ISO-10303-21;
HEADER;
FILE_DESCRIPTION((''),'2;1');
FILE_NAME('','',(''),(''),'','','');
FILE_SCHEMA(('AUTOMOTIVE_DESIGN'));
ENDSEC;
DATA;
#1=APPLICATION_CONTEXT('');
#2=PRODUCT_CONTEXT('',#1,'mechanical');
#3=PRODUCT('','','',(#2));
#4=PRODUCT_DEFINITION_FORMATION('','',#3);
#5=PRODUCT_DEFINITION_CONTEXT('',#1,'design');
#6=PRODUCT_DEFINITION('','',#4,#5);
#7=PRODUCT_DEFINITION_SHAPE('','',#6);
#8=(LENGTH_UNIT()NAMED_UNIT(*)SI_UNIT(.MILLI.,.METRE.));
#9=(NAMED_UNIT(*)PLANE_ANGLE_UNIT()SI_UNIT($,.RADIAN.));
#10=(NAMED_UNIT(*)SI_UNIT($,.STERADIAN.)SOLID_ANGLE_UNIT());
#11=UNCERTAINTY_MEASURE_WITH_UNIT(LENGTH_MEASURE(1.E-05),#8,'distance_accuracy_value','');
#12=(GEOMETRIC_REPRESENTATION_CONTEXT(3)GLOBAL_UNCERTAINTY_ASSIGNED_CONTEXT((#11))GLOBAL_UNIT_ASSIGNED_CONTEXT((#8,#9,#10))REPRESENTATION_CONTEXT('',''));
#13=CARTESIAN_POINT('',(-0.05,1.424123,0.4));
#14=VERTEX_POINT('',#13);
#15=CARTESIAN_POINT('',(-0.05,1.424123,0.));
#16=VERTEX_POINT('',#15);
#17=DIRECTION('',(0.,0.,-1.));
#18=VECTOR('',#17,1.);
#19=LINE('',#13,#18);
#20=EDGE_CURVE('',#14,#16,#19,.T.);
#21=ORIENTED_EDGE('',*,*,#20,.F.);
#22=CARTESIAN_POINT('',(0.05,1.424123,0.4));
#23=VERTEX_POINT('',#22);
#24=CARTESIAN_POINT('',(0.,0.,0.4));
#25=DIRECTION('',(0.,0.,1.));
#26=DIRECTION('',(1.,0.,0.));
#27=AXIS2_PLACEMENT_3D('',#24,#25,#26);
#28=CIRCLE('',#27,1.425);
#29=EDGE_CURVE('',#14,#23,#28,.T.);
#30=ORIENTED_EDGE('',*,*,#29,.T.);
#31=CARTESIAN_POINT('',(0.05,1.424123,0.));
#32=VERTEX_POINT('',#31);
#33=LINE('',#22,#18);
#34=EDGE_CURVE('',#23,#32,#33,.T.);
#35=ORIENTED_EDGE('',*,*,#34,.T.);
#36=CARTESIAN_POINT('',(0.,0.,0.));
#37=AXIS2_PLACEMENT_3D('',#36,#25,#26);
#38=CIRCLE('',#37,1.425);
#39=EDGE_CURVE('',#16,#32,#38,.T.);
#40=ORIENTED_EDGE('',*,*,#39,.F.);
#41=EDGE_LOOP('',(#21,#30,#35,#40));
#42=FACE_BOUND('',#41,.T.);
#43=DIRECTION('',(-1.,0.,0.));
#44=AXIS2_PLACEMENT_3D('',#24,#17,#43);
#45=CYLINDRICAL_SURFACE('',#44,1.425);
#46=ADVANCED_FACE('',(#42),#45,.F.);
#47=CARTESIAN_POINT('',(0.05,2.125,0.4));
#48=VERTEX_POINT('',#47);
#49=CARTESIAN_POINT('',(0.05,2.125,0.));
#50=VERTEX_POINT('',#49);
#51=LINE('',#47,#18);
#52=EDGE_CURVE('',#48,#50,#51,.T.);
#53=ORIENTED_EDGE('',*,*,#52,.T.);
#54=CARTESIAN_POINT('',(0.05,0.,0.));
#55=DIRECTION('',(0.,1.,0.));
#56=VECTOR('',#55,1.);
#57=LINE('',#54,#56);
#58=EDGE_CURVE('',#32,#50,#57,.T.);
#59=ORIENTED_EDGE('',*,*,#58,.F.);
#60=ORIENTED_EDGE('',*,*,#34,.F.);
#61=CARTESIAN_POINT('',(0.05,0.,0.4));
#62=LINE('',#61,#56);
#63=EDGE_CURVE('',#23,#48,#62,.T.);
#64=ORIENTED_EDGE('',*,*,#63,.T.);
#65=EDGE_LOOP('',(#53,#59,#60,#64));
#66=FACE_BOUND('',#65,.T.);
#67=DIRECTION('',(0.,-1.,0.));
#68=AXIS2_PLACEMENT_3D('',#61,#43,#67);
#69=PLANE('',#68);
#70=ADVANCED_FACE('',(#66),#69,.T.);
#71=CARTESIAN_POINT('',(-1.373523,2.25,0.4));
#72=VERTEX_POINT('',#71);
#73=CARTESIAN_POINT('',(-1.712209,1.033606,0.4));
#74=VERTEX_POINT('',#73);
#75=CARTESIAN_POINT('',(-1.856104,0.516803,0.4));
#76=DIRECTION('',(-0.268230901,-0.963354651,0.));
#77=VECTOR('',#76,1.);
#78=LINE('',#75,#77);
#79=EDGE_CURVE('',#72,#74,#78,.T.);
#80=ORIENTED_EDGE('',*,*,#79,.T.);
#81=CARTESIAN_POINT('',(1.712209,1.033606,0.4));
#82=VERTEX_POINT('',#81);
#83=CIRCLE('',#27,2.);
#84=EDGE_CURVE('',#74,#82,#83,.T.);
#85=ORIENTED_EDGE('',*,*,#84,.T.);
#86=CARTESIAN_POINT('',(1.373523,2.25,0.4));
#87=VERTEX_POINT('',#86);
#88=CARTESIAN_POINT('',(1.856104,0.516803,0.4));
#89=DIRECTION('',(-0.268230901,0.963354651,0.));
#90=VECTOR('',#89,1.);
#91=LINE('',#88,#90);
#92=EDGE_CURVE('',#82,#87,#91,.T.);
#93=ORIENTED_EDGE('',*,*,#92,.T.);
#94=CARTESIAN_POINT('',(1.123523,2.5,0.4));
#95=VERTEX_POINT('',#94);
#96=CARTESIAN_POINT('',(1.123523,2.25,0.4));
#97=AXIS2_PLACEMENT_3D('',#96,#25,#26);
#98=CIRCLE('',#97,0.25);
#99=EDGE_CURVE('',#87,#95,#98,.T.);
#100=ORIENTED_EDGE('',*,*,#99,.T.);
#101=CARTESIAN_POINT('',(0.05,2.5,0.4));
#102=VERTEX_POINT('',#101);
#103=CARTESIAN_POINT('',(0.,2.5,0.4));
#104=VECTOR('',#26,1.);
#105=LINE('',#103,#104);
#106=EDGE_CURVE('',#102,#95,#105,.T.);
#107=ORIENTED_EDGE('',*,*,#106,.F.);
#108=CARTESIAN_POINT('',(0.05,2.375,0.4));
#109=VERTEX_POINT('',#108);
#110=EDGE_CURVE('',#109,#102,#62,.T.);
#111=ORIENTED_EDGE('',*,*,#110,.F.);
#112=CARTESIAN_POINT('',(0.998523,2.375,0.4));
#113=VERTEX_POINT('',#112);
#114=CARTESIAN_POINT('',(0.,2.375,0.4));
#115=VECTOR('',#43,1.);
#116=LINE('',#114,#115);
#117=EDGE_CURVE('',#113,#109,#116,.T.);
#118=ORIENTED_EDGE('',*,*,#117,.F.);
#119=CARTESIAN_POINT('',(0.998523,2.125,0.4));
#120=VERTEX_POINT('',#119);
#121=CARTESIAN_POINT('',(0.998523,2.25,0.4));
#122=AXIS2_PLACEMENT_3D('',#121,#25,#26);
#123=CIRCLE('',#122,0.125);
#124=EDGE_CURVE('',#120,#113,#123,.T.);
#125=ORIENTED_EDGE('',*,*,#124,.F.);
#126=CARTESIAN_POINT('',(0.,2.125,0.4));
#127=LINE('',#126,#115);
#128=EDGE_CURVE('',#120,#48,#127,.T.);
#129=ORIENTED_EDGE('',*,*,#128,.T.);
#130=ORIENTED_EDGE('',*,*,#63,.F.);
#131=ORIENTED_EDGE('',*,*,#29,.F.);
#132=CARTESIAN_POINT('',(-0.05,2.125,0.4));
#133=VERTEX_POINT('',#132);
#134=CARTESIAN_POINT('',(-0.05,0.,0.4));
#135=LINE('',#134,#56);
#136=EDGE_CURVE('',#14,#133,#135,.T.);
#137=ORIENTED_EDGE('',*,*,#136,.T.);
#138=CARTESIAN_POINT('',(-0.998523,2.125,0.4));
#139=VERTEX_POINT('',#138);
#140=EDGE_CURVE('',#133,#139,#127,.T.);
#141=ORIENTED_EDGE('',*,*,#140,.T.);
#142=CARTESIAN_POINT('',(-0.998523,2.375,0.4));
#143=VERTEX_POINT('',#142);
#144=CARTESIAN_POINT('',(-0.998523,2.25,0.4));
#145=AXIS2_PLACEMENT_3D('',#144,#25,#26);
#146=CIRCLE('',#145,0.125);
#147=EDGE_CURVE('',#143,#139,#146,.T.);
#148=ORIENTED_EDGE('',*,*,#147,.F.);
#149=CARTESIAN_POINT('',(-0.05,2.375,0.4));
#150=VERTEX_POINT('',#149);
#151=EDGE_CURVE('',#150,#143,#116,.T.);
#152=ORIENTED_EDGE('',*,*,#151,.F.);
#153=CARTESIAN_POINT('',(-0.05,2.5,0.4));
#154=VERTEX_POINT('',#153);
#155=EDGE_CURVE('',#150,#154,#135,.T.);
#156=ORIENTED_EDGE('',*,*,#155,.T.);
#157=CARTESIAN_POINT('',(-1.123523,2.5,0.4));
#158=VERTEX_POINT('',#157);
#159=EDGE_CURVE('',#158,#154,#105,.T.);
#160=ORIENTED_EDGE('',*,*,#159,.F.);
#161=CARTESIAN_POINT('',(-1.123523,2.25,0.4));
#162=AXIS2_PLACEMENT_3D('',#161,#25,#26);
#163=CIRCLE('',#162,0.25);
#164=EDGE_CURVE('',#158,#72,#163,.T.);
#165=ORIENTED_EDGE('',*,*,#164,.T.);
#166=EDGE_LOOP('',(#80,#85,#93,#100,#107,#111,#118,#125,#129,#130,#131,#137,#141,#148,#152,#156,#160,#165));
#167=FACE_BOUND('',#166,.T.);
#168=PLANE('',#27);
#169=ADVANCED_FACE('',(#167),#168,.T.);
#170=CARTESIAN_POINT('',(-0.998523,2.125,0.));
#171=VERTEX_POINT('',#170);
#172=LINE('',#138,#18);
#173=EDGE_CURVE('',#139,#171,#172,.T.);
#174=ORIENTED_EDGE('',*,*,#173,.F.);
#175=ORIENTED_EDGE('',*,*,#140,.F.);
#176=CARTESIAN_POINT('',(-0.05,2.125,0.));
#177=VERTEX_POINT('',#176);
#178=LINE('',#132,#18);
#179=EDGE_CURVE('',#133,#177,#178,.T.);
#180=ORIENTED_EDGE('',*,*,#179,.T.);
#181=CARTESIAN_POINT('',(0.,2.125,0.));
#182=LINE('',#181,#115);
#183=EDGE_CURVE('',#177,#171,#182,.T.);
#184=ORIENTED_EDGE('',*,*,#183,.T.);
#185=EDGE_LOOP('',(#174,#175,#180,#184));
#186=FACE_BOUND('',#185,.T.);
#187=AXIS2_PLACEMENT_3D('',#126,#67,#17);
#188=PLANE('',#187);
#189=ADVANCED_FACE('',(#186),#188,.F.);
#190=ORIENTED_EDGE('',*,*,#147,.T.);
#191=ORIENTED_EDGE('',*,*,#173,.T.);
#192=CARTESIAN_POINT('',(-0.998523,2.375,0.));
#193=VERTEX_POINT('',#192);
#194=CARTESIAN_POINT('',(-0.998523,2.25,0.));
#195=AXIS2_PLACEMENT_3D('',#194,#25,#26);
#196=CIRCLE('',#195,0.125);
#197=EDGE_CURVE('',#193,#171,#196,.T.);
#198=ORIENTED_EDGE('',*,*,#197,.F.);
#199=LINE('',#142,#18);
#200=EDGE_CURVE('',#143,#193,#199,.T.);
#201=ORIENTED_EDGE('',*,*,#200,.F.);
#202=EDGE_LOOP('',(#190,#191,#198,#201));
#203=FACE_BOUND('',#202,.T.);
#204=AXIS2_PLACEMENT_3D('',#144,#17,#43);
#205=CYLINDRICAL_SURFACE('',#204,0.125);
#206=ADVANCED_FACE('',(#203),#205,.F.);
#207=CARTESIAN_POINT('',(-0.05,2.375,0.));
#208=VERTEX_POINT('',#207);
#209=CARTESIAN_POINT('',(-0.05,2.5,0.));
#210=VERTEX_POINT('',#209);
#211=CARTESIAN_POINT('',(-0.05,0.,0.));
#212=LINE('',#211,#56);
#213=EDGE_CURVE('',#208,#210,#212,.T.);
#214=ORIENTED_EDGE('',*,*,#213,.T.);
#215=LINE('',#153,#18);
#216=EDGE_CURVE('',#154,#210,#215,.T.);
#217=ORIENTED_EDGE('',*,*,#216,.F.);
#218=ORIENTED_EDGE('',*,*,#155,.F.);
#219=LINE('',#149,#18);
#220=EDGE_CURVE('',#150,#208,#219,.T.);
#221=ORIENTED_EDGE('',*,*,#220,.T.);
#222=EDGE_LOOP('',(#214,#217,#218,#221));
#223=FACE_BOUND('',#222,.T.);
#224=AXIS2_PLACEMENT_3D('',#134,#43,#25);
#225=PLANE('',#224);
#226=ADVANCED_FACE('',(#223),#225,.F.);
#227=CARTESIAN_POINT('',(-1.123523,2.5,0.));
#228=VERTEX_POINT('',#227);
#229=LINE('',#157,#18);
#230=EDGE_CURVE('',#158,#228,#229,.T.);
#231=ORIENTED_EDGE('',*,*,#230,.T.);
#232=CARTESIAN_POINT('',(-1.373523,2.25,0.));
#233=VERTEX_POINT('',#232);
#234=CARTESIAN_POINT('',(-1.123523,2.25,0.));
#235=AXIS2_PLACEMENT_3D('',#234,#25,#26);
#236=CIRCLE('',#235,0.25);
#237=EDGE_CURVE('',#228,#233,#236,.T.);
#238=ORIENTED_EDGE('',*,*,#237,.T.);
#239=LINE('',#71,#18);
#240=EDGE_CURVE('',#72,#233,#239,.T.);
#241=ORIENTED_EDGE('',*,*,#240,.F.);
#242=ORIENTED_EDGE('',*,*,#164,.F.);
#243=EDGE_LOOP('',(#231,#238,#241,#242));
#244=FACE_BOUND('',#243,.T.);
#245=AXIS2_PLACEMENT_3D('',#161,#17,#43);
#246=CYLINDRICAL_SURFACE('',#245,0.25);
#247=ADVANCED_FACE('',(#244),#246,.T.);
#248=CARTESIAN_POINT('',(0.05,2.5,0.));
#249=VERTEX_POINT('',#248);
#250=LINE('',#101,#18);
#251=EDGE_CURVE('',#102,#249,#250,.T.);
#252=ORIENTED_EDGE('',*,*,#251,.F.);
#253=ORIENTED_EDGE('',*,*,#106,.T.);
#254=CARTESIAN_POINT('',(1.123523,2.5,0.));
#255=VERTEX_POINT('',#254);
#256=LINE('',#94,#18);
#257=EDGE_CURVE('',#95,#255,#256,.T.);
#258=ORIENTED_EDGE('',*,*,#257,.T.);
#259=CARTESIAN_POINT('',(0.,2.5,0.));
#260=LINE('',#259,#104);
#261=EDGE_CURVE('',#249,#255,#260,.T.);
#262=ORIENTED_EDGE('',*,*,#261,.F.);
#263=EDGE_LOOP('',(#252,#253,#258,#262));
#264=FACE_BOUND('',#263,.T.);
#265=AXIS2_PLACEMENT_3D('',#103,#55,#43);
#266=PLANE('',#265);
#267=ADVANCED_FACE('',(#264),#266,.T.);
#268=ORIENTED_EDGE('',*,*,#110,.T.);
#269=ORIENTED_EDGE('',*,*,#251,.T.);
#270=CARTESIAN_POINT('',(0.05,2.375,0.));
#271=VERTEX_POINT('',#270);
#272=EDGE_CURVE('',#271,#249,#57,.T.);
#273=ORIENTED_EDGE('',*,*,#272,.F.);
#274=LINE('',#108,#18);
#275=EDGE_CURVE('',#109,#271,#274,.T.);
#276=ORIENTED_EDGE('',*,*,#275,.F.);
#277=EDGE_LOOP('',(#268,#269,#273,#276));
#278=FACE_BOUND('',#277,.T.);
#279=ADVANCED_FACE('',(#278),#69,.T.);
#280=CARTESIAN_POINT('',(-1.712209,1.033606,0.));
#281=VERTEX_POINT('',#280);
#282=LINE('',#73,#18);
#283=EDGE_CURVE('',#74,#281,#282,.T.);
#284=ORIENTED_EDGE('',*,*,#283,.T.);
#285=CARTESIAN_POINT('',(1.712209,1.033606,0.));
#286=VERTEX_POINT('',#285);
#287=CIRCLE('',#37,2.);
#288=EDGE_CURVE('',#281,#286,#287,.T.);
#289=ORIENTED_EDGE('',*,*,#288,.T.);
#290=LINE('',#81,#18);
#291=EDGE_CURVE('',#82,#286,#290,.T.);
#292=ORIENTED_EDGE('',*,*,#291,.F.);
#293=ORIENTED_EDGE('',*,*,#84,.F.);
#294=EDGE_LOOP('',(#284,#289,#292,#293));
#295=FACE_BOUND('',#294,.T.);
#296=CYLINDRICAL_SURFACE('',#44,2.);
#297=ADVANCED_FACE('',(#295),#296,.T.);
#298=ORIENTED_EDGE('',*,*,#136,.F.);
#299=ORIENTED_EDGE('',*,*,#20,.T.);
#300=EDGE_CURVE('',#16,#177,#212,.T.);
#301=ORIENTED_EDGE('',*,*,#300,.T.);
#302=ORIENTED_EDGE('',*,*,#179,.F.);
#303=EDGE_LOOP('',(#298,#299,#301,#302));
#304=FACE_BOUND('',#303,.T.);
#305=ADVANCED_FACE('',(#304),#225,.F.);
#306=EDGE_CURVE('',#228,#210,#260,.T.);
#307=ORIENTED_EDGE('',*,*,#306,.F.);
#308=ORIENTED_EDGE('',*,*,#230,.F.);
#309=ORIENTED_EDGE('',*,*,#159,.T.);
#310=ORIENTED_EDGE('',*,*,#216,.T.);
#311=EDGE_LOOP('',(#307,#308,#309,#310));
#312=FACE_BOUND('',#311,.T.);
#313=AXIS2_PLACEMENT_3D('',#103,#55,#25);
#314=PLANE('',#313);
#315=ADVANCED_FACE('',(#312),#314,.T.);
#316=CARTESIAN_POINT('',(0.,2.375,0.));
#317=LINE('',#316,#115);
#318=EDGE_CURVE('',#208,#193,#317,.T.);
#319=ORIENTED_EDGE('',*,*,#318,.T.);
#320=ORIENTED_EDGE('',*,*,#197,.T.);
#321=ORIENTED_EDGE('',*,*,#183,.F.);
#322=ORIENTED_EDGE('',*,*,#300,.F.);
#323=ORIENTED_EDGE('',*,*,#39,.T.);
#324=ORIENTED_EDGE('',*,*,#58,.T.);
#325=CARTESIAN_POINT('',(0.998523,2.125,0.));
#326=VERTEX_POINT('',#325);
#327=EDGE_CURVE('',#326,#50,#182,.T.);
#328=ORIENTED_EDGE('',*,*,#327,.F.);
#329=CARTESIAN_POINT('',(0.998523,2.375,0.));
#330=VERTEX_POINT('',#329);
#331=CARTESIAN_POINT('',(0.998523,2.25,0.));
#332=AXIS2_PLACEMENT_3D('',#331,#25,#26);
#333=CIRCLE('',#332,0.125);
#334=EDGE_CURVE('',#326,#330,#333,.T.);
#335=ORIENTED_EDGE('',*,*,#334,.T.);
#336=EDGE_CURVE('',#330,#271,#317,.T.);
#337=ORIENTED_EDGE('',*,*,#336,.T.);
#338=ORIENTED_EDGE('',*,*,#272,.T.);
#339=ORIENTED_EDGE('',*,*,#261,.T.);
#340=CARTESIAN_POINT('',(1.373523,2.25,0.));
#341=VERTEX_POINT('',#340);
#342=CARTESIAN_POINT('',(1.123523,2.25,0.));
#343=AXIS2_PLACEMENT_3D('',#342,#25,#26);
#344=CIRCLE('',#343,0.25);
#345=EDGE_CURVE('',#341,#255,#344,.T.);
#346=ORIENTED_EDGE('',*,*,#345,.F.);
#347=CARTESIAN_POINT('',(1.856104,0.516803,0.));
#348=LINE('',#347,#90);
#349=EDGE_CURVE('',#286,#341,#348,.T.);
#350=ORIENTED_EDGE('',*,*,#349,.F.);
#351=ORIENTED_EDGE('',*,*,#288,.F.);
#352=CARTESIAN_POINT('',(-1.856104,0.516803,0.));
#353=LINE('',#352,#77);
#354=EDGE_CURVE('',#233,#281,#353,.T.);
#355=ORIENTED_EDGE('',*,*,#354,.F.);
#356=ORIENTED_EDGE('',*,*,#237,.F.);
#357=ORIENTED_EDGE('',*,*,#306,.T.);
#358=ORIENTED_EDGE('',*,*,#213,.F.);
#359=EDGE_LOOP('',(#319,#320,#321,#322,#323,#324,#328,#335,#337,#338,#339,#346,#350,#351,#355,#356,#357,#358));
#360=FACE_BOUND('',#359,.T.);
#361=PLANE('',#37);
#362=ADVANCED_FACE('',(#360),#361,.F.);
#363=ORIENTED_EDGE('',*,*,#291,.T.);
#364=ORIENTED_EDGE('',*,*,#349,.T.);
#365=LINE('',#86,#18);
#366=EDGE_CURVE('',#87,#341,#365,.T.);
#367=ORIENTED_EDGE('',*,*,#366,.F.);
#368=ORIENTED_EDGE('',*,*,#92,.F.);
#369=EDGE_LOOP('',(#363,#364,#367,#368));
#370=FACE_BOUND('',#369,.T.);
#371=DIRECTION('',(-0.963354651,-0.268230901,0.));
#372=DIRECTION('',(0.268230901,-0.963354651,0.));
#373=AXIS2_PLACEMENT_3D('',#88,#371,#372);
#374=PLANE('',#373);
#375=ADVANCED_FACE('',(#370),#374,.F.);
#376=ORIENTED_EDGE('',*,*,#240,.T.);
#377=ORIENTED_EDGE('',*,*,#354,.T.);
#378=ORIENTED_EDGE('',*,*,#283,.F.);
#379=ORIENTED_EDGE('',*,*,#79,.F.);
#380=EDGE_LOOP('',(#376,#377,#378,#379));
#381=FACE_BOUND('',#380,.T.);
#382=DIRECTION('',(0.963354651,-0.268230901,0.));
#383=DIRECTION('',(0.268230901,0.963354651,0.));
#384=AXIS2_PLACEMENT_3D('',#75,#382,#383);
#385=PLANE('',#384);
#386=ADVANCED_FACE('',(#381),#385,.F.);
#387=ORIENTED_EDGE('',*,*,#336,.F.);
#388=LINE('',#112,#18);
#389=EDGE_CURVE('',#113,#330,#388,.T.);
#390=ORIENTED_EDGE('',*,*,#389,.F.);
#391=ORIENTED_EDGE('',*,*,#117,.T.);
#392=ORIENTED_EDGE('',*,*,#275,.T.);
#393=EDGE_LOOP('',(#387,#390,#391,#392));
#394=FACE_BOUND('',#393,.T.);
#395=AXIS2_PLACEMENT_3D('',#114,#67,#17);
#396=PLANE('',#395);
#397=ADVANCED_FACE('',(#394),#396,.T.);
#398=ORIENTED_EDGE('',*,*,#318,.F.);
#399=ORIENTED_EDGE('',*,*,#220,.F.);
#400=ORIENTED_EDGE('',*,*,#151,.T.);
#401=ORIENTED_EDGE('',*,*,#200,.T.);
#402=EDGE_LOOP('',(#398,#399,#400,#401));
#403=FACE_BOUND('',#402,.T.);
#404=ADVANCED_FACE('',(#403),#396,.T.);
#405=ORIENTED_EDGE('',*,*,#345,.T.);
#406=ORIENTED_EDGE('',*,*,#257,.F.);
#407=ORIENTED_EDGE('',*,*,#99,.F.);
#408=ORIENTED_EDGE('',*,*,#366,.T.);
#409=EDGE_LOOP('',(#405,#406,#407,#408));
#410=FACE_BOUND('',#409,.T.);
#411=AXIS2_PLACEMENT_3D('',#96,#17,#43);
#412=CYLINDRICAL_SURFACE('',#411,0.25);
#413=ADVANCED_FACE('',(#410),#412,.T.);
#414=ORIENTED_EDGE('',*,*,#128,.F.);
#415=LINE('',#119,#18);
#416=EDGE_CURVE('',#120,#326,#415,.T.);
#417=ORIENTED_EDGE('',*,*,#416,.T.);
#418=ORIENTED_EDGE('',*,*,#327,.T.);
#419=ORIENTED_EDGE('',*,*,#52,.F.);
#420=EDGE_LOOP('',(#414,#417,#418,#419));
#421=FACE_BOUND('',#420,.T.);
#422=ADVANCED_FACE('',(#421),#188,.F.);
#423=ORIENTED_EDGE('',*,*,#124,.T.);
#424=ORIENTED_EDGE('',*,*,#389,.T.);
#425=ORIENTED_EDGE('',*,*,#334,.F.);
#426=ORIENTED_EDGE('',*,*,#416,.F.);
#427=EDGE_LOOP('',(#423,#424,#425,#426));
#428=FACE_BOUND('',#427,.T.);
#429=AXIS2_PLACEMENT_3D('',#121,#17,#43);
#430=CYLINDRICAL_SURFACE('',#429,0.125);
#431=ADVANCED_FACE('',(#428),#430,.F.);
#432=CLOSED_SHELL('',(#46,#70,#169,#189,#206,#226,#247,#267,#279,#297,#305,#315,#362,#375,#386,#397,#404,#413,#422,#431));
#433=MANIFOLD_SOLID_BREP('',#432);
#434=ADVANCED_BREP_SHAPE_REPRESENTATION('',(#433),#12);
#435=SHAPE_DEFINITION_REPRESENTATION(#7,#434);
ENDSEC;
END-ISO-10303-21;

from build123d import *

# Parameters (mm, degrees)
BOSS_EXTRUDE2_DEPTH = 0.4


with BuildPart() as part:
    # Sketch1 → Boss-Extrude2 (new body)
    with BuildSketch(Plane.XY):
        with BuildLine():
            ThreePointArc((0.05, 1.424122537), (0, -1.425), (-0.05, 1.424122537))
            Line((-0.05, 1.424122537), (-0.05, 2.125))
            Line((-0.05, 2.125), (-0.998523005, 2.125))
            ThreePointArc((-0.998523005, 2.125), (-1.123523005, 2.25), (-0.998523005, 2.375))
            Line((-0.998523005, 2.375), (-0.05, 2.375))
            Line((-0.05, 2.375), (-0.05, 2.5))
            Line((-0.05, 2.5), (-1.123523005, 2.5))
            ThreePointArc((-1.123523005, 2.5), (-1.3002997, 2.426776695), (-1.373523005, 2.25))
            Line((-1.373523005, 2.25), (-1.712208735, 1.033605944))
            ThreePointArc((-1.712208735, 1.033605944), (0, -2), (1.712208735, 1.033605944))
            Line((1.712208735, 1.033605944), (1.373523005, 2.25))
            ThreePointArc((1.373523005, 2.25), (1.3002997, 2.426776695), (1.123523005, 2.5))
            Line((1.123523005, 2.5), (0.05, 2.5))
            Line((0.05, 2.5), (0.05, 2.375))
            Line((0.05, 2.375), (0.998523005, 2.375))
            ThreePointArc((0.998523005, 2.375), (1.123523005, 2.25), (0.998523005, 2.125))
            Line((0.998523005, 2.125), (0.05, 2.125))
            Line((0.05, 2.125), (0.05, 1.424122537))
        make_face()
    extrude(amount=BOSS_EXTRUDE2_DEPTH)


solid = part.part
